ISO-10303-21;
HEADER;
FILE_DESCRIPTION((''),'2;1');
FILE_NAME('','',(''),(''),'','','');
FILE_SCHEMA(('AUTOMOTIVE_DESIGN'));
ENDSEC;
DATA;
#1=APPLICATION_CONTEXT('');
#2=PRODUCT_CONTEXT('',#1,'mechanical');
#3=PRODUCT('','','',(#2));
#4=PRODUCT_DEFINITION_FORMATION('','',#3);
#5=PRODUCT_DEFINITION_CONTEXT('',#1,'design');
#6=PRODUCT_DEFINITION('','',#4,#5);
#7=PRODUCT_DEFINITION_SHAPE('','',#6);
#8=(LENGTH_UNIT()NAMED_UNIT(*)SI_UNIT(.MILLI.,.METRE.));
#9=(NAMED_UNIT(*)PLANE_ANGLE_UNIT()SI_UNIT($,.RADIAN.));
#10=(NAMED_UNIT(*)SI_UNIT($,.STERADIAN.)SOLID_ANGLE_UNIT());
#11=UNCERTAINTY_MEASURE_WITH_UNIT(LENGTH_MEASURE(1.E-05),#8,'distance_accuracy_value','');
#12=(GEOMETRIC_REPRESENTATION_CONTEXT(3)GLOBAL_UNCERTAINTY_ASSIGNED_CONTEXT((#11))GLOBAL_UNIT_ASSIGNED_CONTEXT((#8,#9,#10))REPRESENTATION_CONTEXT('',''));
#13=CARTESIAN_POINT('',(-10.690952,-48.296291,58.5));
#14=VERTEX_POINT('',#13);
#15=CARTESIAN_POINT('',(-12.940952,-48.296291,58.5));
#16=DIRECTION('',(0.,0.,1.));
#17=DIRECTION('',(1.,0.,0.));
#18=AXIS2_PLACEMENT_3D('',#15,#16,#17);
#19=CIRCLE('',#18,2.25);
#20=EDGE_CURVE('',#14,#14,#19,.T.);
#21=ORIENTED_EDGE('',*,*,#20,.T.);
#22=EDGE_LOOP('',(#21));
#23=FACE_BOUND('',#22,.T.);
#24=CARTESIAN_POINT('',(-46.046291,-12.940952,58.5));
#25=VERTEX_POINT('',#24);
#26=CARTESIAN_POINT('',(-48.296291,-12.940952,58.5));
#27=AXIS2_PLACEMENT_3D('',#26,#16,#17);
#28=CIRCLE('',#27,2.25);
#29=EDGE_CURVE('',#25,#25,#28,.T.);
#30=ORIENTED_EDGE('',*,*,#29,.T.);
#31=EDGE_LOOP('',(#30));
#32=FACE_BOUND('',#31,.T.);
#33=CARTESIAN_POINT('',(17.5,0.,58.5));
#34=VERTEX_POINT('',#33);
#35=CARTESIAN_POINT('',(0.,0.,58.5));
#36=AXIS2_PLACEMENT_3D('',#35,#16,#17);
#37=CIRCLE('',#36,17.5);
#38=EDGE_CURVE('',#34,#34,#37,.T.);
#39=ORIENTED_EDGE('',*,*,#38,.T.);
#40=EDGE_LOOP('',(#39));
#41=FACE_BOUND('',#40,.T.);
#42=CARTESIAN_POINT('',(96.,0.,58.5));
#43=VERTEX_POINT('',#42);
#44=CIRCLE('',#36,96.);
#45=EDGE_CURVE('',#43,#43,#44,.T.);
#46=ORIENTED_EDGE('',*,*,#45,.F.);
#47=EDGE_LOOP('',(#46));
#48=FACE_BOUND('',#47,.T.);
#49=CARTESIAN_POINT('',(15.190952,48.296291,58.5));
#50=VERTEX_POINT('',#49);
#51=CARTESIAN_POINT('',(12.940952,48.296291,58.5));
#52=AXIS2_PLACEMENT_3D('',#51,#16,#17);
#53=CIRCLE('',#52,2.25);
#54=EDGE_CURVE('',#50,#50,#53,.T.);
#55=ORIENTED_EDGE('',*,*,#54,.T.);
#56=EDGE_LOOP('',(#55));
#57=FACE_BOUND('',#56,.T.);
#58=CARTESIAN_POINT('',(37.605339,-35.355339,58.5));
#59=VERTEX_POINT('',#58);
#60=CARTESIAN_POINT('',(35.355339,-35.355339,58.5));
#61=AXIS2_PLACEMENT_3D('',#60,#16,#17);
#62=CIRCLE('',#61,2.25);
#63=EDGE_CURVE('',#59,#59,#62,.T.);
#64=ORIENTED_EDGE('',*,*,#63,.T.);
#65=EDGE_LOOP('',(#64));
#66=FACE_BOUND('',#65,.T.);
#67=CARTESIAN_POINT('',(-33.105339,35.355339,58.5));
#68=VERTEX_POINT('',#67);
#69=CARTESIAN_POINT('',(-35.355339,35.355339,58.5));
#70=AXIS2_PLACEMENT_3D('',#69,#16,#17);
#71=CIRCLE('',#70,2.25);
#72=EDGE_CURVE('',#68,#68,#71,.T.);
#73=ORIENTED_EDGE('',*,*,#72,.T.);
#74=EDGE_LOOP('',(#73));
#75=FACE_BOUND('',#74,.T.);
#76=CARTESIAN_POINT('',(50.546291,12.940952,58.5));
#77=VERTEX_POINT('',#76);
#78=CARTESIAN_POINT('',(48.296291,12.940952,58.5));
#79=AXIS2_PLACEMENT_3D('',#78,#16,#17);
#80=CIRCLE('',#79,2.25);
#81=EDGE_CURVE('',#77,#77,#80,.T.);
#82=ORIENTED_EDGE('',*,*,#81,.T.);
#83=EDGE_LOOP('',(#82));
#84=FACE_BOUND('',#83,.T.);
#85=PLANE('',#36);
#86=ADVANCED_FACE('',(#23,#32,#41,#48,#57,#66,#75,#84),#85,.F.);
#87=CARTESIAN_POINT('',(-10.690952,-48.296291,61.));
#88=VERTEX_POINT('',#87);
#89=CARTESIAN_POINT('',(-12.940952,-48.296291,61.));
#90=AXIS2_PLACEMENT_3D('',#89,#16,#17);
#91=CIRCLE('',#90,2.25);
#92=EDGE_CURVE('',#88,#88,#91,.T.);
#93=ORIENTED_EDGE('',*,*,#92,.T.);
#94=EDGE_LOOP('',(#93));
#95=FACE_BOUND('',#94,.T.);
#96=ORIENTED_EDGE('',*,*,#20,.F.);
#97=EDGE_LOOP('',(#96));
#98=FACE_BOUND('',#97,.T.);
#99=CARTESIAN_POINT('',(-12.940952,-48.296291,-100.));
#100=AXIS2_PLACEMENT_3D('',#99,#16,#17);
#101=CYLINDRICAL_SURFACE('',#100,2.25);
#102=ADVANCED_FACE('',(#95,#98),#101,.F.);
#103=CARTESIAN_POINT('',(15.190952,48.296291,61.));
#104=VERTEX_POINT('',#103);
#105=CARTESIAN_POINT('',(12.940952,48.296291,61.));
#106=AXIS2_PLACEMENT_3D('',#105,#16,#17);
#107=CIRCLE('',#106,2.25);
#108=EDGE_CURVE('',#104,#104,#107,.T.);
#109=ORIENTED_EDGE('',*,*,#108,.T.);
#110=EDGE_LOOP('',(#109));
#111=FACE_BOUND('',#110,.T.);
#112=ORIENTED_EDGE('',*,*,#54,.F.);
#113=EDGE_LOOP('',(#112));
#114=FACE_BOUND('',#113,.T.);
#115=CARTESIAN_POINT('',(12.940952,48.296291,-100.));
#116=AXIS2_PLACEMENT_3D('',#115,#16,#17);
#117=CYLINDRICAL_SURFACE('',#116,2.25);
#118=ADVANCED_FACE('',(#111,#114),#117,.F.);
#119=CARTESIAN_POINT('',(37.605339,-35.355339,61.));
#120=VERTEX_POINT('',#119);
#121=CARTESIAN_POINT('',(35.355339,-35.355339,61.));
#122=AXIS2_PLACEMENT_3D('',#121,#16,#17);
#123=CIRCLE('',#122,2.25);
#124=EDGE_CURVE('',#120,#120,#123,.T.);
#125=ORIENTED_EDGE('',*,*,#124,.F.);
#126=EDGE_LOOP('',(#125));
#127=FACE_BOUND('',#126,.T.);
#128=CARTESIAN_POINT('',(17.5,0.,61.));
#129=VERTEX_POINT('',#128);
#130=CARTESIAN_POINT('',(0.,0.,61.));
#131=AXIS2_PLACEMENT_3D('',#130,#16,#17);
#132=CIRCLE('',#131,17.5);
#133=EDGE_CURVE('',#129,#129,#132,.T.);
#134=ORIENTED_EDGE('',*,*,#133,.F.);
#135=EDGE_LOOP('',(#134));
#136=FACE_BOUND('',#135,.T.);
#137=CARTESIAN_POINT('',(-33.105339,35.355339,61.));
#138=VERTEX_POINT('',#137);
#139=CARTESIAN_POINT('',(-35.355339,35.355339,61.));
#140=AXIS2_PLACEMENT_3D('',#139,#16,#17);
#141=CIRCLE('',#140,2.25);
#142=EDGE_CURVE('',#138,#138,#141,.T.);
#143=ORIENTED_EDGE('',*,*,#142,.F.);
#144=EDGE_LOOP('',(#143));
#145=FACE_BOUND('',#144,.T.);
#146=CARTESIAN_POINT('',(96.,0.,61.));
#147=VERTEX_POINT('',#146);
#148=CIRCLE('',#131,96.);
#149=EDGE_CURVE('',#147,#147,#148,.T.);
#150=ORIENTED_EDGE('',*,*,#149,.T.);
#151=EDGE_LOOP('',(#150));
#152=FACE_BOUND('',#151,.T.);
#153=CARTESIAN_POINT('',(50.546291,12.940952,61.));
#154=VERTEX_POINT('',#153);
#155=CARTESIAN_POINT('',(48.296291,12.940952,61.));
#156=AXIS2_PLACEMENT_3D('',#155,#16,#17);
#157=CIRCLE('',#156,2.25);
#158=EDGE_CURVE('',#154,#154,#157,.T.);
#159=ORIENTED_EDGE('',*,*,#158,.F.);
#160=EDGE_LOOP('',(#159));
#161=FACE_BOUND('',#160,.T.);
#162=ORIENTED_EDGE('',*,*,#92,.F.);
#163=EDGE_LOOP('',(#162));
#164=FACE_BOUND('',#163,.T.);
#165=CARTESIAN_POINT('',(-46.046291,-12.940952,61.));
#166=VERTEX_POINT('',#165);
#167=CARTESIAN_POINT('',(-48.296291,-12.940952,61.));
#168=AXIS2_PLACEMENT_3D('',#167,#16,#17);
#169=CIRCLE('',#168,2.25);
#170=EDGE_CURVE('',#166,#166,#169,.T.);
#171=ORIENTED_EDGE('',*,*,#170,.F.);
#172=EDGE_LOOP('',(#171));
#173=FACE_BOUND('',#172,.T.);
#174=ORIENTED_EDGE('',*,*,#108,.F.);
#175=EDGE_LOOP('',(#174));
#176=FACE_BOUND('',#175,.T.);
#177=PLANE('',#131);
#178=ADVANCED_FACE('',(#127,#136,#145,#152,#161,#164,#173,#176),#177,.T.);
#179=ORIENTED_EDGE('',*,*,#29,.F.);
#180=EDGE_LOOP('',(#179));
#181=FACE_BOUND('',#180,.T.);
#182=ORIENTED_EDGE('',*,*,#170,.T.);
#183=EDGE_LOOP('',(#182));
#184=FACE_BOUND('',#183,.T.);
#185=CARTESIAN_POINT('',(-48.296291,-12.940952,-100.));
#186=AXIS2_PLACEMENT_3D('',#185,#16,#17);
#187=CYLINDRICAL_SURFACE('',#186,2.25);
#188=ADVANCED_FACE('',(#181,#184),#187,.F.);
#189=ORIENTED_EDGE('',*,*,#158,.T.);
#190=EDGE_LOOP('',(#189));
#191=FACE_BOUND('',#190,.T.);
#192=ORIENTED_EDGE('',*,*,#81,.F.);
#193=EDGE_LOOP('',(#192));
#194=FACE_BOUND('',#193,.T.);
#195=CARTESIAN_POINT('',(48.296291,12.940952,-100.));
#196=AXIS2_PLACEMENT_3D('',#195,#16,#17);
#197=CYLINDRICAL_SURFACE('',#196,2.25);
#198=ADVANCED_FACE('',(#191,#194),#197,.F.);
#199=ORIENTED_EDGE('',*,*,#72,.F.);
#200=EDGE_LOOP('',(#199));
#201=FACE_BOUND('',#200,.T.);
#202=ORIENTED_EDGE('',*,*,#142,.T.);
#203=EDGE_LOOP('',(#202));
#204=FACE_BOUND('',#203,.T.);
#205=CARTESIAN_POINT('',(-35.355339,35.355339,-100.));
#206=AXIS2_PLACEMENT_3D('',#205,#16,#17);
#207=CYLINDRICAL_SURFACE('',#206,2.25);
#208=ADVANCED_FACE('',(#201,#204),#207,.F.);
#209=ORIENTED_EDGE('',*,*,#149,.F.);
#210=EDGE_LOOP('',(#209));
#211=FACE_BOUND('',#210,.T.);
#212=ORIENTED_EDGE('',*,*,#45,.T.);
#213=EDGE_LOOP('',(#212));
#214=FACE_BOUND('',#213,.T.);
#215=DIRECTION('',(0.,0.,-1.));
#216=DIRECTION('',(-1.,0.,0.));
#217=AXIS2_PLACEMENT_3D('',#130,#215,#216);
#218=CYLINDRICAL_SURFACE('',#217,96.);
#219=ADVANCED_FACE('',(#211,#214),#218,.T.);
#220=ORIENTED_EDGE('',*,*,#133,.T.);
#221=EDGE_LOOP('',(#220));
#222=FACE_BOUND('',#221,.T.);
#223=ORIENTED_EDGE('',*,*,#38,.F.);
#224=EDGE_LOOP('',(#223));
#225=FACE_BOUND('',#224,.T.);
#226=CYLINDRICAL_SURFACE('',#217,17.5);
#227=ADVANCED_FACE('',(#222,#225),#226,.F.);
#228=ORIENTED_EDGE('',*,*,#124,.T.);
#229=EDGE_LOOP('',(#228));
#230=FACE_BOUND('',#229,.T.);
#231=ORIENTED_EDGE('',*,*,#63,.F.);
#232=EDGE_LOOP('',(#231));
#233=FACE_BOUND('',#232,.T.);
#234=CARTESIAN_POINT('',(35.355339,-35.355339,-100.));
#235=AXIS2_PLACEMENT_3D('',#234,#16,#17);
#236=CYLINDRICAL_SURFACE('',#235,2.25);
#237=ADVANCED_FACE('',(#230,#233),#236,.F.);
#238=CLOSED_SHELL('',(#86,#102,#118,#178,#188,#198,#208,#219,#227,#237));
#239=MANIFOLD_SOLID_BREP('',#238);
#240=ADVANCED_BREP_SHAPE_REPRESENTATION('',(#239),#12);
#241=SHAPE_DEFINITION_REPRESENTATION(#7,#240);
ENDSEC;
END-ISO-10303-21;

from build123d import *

# Parameters (mm, degrees)
FRONT_COVER_REFERENCE_START = 58.5
SKETCH_1_R                  = 96
SKETCH_1_R_2                = 17.5
FRONT_COVER_REFERENCE_DEPTH = 2.5
SKETCH_2_R                  = 2.25
THROUGH_HOLES_DEPTH         = 100


with BuildPart() as part:
    # Эскиз1 → Front_cover_reference (new body)
    with BuildSketch(Plane.XY.offset(FRONT_COVER_REFERENCE_START)):
        Circle(SKETCH_1_R)
        Circle(SKETCH_1_R_2, mode=Mode.SUBTRACT)
    extrude(amount=FRONT_COVER_REFERENCE_DEPTH)

    # Эскиз2 → Through_holes (cut, symmetric)
    with BuildSketch(Plane.XY):
        with Locations((48.296291314, 12.940952255)):
            Circle(SKETCH_2_R)
        with Locations((12.940952255, 48.296291314)):
            Circle(SKETCH_2_R)
        with Locations((-35.355339059, 35.355339059)):
            Circle(SKETCH_2_R)
        with Locations((-48.296291314, -12.940952255)):
            Circle(SKETCH_2_R)
        with Locations((-12.940952255, -48.296291314)):
            Circle(SKETCH_2_R)
        with Locations((35.355339059, -35.355339059)):
            Circle(SKETCH_2_R)
    extrude(amount=THROUGH_HOLES_DEPTH, both=True, mode=Mode.SUBTRACT)


solid = part.part
